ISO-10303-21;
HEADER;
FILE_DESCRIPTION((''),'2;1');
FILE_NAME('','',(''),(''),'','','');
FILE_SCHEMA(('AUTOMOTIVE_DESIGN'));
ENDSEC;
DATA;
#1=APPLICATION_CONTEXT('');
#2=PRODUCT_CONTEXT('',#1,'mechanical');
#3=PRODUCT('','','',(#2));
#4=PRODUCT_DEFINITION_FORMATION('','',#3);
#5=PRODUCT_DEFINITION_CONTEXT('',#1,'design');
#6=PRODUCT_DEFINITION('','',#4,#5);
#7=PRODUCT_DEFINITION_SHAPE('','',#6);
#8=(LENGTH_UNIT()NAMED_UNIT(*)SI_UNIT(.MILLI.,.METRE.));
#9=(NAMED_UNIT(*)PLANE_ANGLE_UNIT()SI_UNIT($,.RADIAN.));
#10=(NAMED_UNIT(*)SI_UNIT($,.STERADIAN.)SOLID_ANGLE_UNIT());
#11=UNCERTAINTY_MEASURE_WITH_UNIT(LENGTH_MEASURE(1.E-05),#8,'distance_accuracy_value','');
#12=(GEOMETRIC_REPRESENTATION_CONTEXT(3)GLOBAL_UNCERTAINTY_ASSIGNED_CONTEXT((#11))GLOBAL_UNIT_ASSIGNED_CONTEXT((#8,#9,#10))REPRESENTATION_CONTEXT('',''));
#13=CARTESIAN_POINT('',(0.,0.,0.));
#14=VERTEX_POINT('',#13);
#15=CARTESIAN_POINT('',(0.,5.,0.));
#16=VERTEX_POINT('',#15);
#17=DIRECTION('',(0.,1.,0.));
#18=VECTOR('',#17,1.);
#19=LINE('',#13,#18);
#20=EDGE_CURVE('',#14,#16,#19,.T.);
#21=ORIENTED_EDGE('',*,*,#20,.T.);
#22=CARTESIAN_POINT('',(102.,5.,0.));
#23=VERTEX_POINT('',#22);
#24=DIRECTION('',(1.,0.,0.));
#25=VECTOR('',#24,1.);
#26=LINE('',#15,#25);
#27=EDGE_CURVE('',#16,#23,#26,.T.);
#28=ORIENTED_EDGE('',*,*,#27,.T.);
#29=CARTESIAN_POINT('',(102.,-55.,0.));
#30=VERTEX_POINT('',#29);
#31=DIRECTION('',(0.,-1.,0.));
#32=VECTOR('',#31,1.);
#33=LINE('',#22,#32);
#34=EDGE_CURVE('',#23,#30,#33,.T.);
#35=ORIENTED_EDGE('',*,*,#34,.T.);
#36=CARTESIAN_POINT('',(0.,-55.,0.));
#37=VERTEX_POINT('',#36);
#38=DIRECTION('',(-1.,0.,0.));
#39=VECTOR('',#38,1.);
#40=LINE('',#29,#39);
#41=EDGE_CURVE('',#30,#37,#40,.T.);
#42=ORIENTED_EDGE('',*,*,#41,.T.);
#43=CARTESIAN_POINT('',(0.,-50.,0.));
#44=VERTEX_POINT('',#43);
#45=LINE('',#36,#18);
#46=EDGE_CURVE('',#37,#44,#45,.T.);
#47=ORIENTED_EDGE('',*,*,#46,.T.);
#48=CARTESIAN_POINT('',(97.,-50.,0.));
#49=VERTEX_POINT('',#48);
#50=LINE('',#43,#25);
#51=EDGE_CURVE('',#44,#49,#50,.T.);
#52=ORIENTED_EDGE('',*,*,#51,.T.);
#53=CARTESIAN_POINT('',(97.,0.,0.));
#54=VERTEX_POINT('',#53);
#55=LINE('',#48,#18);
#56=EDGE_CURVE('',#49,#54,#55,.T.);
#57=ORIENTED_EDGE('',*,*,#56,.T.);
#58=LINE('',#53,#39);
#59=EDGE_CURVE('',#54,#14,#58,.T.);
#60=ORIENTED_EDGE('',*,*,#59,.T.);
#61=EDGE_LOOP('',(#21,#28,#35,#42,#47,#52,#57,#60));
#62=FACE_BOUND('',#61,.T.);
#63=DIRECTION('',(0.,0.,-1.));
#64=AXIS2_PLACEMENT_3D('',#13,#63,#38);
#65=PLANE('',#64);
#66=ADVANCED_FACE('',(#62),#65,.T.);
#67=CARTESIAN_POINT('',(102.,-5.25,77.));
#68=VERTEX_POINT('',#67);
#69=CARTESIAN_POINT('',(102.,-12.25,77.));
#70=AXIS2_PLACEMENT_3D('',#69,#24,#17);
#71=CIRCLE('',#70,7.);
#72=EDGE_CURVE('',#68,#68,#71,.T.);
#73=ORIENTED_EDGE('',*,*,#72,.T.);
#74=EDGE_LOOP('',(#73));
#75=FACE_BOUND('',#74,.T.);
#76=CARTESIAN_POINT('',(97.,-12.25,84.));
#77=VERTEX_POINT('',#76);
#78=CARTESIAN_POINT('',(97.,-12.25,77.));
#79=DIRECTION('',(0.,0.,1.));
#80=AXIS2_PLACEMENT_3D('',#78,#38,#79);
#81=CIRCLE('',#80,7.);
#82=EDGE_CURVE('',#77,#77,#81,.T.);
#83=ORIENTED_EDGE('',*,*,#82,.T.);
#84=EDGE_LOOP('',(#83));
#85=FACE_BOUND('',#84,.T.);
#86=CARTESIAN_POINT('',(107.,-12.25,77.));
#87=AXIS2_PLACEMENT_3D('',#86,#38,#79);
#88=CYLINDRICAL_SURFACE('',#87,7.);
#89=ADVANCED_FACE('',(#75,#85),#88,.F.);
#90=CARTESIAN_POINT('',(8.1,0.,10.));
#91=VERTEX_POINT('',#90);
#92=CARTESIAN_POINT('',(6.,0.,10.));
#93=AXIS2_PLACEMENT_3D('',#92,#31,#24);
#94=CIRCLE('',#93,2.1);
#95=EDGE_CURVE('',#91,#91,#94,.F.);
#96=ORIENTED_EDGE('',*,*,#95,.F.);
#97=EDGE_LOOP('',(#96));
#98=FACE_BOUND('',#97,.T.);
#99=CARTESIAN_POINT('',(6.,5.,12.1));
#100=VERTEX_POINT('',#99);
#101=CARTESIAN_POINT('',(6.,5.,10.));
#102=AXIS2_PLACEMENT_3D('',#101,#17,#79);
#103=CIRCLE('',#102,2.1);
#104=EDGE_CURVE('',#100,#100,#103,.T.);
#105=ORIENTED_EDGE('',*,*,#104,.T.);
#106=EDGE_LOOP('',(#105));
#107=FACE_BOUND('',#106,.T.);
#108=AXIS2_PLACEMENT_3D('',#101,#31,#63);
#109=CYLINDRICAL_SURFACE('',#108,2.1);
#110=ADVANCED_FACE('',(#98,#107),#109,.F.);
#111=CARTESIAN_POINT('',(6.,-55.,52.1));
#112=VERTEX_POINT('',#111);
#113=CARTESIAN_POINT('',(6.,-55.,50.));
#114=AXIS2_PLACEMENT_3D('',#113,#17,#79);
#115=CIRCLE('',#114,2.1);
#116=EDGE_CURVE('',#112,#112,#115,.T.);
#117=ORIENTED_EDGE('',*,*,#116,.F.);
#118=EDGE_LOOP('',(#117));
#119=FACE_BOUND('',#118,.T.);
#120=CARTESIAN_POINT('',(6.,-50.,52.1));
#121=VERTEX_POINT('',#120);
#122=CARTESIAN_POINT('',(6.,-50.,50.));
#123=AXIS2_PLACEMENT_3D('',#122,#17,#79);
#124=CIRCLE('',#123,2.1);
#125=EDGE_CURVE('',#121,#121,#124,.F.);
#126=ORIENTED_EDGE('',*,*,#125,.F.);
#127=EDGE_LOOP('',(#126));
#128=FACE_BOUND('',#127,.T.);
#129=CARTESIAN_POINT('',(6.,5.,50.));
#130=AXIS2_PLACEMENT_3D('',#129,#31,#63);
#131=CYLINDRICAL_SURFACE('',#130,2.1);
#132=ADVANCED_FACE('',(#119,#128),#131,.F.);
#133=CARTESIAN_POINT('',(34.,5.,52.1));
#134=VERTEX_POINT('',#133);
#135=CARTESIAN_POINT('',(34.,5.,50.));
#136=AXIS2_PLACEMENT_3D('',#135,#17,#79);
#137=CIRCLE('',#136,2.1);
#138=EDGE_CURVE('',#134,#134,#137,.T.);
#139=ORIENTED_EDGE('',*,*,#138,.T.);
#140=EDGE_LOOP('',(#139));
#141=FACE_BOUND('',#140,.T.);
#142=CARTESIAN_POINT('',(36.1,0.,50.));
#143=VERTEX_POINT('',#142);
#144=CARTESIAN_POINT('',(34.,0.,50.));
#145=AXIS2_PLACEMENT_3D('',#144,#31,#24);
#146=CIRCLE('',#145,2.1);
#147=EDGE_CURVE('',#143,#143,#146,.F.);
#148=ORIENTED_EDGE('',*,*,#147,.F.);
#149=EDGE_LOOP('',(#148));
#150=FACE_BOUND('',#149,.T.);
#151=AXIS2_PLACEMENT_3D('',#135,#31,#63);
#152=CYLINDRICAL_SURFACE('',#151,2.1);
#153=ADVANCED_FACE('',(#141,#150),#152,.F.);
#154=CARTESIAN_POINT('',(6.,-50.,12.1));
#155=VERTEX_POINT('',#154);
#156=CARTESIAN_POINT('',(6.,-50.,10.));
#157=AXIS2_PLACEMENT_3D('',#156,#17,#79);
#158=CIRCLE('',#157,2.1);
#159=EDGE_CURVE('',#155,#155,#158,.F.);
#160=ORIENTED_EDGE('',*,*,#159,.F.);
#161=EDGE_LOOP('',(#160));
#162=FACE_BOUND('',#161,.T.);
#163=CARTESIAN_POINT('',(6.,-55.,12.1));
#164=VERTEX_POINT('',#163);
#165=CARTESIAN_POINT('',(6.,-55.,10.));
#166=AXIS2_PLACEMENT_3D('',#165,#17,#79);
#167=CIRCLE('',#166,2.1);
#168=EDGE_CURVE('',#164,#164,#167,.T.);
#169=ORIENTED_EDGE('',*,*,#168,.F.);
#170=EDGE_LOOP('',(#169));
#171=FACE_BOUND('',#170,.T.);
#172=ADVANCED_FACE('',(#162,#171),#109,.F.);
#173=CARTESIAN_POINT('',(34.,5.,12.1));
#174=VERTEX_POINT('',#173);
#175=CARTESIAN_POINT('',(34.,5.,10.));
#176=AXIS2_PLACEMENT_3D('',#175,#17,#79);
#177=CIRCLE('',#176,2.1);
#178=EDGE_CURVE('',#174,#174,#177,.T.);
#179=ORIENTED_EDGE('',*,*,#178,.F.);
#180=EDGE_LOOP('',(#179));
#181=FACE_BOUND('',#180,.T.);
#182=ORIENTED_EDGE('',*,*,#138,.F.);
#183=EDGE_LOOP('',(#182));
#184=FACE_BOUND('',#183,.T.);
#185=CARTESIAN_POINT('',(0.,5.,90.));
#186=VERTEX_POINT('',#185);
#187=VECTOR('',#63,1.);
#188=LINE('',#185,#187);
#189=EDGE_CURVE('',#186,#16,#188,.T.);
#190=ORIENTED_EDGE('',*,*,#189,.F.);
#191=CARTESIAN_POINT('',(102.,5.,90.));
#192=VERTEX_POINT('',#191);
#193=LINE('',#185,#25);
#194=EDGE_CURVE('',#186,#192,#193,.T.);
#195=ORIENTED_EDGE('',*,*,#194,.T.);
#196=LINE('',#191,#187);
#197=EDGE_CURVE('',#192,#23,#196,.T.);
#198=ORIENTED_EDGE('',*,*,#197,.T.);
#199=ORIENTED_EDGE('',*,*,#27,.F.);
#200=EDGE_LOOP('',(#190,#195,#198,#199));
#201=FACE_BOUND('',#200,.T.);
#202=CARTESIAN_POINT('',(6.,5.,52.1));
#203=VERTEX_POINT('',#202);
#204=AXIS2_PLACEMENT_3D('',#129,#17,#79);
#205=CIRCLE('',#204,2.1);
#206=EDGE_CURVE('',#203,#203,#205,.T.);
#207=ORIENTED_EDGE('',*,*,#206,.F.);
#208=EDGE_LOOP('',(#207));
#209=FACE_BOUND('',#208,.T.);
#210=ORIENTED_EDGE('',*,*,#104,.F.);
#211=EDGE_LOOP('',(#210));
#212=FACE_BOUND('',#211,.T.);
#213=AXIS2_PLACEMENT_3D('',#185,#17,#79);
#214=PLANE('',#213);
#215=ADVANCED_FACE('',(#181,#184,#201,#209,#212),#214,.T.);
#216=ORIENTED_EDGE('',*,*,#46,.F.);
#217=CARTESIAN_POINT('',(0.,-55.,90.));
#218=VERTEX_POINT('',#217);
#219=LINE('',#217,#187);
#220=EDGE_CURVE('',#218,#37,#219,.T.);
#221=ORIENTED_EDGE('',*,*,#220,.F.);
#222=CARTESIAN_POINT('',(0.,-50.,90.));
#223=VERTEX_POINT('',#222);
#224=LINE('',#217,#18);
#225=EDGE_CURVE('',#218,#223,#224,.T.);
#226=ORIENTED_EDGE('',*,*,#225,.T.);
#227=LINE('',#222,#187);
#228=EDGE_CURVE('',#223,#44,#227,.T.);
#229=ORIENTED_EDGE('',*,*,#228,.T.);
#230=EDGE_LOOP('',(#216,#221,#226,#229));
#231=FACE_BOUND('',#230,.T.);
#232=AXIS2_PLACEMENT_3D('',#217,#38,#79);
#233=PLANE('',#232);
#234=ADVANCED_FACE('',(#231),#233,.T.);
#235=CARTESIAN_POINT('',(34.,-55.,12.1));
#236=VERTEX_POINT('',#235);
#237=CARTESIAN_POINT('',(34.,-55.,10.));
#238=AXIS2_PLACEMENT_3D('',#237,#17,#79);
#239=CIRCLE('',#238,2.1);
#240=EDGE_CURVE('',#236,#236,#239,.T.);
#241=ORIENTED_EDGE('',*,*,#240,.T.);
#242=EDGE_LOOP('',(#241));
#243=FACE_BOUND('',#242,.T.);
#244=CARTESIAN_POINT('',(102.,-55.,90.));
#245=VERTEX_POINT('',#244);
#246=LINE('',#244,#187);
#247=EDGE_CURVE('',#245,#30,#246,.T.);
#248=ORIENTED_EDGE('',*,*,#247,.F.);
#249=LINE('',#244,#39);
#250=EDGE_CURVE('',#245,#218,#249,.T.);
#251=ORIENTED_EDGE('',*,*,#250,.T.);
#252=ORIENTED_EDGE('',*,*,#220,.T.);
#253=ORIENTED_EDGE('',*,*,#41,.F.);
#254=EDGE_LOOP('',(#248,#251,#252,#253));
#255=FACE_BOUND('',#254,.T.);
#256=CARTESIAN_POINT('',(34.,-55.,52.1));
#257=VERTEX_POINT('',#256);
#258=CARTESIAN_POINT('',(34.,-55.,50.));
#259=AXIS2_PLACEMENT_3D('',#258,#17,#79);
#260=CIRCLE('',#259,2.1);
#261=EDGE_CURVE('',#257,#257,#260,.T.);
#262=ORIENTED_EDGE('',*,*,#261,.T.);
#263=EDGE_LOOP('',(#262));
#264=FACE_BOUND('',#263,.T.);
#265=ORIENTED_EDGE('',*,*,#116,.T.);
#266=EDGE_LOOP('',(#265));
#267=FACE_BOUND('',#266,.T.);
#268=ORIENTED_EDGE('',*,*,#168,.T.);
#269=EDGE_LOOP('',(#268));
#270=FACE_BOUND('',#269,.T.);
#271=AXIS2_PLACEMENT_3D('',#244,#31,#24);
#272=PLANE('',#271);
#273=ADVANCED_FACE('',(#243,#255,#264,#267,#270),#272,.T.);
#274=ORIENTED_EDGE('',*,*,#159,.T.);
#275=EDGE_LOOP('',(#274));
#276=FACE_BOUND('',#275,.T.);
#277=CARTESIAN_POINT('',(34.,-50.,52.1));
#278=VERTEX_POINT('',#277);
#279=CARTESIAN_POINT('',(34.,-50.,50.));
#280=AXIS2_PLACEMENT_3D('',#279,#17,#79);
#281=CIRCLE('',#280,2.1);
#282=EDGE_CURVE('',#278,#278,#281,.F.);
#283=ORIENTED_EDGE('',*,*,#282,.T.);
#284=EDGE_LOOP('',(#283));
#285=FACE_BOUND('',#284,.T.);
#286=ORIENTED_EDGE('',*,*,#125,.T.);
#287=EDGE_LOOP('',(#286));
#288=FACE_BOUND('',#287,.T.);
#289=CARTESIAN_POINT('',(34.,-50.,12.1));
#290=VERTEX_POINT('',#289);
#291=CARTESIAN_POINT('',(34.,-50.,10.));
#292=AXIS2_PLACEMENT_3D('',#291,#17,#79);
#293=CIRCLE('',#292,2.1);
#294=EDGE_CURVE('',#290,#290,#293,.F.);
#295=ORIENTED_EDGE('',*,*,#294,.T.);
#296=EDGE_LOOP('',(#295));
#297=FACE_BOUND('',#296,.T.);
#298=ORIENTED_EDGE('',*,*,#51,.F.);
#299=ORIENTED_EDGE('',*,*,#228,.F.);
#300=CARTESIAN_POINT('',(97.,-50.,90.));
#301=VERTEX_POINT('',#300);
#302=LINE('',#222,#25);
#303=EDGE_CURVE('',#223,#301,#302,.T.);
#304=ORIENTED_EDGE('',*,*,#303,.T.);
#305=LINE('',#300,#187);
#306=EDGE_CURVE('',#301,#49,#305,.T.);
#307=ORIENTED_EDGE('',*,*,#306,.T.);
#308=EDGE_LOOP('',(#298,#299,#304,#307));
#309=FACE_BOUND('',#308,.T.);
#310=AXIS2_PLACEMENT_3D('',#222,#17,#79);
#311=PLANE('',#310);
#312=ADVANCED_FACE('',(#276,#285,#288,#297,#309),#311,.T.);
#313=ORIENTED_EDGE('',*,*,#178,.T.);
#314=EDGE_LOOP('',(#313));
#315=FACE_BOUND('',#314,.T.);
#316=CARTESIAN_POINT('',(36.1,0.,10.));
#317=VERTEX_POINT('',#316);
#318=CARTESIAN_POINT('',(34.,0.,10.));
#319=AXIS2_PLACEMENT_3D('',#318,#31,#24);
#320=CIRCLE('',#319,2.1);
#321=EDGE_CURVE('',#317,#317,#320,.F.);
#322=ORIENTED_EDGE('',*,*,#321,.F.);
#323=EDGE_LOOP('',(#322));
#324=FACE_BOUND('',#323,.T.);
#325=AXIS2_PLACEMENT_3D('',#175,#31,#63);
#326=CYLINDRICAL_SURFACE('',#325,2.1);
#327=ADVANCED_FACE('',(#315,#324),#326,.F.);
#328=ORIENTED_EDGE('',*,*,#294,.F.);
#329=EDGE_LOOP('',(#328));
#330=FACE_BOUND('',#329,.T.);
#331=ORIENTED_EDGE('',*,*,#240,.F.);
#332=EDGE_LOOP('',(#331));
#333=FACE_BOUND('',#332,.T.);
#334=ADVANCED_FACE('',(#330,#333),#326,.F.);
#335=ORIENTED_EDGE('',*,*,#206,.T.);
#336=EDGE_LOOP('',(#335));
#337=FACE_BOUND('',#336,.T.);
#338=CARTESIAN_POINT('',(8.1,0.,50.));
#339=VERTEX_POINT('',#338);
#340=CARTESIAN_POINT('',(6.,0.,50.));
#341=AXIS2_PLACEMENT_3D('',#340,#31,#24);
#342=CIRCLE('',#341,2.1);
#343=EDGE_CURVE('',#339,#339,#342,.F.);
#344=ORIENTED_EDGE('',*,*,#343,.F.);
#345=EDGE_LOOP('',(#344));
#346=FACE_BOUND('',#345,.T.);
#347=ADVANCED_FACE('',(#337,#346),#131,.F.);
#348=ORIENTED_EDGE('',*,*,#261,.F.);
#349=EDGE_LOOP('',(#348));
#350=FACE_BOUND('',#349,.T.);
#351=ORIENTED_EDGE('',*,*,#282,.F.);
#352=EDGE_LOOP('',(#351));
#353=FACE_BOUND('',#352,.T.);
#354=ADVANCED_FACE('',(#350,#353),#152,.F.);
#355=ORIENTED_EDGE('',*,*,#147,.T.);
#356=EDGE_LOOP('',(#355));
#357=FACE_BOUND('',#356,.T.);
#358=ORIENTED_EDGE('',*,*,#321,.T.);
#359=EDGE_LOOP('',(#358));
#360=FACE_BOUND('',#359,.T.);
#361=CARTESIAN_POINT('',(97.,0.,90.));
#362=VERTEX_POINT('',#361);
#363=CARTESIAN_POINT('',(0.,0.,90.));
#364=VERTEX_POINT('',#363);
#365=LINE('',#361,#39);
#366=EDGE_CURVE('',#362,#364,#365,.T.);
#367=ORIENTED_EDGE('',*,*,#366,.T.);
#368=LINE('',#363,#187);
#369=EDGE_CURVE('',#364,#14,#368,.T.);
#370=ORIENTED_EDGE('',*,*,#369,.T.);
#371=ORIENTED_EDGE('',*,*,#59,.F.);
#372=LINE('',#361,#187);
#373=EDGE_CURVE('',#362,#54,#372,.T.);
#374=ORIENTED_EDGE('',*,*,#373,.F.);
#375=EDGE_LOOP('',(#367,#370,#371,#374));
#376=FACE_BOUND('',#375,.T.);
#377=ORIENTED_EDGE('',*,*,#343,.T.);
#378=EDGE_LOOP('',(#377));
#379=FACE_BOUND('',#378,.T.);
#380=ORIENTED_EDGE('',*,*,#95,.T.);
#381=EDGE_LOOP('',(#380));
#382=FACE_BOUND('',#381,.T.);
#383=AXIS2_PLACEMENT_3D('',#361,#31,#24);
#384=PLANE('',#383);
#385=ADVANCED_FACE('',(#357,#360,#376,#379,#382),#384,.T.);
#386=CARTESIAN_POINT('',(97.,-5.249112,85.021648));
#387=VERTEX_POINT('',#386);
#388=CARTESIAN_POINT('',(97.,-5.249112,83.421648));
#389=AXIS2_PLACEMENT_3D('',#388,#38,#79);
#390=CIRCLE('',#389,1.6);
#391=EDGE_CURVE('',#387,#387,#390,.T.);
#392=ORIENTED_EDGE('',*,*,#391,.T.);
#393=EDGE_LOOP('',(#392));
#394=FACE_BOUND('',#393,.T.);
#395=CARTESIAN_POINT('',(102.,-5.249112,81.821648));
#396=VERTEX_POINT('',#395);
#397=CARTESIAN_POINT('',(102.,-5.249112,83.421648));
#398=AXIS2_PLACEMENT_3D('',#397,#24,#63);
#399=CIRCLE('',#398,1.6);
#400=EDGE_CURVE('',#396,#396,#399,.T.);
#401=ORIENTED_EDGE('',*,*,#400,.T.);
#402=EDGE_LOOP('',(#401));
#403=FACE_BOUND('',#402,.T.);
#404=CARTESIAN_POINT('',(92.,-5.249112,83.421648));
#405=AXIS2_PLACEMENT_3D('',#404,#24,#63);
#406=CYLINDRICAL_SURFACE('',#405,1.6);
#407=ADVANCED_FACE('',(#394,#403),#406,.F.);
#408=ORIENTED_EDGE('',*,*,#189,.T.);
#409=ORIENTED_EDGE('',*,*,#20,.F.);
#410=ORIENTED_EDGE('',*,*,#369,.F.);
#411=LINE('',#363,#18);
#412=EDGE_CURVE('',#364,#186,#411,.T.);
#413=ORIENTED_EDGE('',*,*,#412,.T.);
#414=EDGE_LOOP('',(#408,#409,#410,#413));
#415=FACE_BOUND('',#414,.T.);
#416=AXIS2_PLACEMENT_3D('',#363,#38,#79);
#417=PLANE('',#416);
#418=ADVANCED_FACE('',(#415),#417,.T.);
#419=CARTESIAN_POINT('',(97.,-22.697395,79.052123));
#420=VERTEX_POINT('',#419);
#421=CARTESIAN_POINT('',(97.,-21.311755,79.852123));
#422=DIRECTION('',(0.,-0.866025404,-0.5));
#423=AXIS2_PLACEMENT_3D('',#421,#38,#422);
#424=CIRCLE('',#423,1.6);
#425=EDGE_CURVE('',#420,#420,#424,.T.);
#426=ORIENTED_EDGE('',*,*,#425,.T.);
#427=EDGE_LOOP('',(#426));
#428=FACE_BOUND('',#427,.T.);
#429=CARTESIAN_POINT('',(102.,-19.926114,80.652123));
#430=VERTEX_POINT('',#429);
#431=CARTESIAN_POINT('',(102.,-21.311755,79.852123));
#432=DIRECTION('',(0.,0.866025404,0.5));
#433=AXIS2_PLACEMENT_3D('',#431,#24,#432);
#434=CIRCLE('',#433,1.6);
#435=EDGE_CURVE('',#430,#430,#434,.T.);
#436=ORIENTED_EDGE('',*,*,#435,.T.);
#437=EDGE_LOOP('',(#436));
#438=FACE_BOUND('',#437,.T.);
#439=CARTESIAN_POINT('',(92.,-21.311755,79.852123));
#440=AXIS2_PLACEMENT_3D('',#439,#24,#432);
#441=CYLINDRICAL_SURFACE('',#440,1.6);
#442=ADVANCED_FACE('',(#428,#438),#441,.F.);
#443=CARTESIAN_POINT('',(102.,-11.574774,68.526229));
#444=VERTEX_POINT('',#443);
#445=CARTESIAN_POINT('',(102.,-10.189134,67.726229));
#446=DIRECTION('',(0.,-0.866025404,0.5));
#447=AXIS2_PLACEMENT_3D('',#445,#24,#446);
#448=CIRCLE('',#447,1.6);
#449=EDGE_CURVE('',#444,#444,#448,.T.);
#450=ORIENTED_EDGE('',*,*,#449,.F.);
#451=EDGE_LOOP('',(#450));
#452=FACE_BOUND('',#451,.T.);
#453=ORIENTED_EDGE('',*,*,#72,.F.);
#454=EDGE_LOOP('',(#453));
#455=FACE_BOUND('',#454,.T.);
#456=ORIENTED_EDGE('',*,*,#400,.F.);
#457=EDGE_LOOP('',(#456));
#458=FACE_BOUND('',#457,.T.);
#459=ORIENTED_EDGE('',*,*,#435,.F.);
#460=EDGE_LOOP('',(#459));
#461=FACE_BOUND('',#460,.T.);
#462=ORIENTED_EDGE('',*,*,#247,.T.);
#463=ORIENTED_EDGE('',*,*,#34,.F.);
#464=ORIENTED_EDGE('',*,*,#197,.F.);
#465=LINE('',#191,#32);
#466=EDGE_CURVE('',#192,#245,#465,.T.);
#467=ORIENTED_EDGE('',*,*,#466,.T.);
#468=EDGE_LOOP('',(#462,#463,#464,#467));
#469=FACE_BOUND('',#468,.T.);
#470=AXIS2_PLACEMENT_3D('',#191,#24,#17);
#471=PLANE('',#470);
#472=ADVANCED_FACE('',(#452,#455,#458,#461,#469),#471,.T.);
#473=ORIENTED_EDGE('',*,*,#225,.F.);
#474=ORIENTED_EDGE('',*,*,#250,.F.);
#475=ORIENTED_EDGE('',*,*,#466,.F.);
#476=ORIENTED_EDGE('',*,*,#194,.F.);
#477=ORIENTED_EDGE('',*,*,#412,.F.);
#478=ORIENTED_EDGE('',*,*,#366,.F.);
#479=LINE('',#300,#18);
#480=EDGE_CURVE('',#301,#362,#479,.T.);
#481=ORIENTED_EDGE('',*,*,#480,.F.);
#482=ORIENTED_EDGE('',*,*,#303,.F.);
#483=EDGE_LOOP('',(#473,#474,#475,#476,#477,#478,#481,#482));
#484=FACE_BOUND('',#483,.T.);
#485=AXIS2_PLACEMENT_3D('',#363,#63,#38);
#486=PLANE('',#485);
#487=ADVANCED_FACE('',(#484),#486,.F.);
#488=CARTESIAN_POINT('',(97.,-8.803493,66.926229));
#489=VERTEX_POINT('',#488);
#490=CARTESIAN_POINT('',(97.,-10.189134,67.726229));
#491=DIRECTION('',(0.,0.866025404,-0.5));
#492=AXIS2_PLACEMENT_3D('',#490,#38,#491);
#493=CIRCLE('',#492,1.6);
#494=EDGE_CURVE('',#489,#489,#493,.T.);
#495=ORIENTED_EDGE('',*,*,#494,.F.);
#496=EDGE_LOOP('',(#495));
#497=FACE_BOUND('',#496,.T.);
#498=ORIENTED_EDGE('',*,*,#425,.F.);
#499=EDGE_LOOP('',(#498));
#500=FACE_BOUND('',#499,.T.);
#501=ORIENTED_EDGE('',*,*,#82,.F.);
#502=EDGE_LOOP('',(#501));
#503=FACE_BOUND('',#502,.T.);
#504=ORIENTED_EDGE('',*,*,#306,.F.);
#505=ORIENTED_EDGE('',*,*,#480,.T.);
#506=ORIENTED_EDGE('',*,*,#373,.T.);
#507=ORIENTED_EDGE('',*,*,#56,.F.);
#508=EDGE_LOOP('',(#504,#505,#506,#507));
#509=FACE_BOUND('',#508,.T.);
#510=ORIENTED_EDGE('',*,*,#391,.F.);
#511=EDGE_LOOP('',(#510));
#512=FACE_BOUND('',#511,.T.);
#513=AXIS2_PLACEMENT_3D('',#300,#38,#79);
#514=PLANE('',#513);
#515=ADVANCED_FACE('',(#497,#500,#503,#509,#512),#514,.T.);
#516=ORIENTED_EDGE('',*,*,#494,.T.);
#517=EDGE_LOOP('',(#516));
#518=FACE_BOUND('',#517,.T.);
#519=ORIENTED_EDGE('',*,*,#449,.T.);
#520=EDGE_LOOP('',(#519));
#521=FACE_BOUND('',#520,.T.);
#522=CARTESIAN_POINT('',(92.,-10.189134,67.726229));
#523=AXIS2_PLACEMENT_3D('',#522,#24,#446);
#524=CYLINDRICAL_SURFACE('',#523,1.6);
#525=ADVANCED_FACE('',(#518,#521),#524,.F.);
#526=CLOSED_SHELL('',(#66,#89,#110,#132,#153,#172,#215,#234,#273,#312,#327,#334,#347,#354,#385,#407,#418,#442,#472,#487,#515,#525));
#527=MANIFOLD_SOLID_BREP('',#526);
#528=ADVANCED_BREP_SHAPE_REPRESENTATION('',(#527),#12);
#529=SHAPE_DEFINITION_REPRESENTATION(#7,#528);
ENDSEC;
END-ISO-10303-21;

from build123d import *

# Parameters (mm, degrees)
EXTRUDE_1_DEPTH          = 90
CUT_EXTRUDE1_DEPTH       = 147.727638841
CUT_EXTRUDE1_DEPTH_BACK  = 147.727638841
SKETCH1_R                = 2.1
SKETCH_2_R               = 7
CUT_EXTRUDE_1_DEPTH      = 10
SKETCH_6_R               = 1.6
CUT_EXTRUDE_3_DEPTH      = 10
PATTERN_CIRCULAR_1_COUNT = 3


with BuildPart() as part:
    # 草图1 → 凸台-拉伸1 (new body)
    with BuildSketch(Plane.XY):
        Polygon((0, 0), (0, 5), (102, 5), (102, -55), (0, -55), (0, -50), (97, -50), (97, 0), align=None)
    extrude(amount=EXTRUDE_1_DEPTH)

    # Sketch1 → Cut-Extrude1 (cut, two sides: drawn at the far end of the back side and taken through both)
    with BuildSketch(Plane(origin=(0, 0, 0), x_dir=(1, 0, 0), z_dir=(0, 1, 0)).offset(-CUT_EXTRUDE1_DEPTH_BACK)):
        with Locations(Location((6, -10, 0), (0, 0, 270))):
            Circle(SKETCH1_R)
        with Locations(Location((34, -10, 0), (0, 0, 270))):
            Circle(SKETCH1_R)
        with Locations(Location((34, -50, 0), (0, 0, 270))):
            Circle(SKETCH1_R)
        with Locations(Location((6, -50, 0), (0, 0, 270))):
            Circle(SKETCH1_R)
    extrude(amount=CUT_EXTRUDE1_DEPTH + CUT_EXTRUDE1_DEPTH_BACK, mode=Mode.SUBTRACT)

    # 草图2 → 切除-拉伸1 (cut)
    with BuildSketch(Plane.ZY.offset(-97)):
        with Locations((77, -12.25)):
            Circle(SKETCH_2_R)
    extrude(amount=-CUT_EXTRUDE_1_DEPTH, mode=Mode.SUBTRACT)

    # 草图6 → 切除-拉伸3 (cut)
    with BuildSketch(Plane(origin=(102, 0, 0), x_dir=(0, 0, -1), z_dir=(1, 0, 0))):
        with Locations((-83.421648209, -5.249111894)):
            Circle(SKETCH_6_R)
    cut_extrude_3 = extrude(amount=-CUT_EXTRUDE_3_DEPTH, mode=Mode.SUBTRACT)

    # 阵列(圆周)1: 切除-拉伸3 ×3 about axis
    pattern_circular_1_axis = Axis((0, -12.25, 77), (1, 0, 0))
    for i in range(1, PATTERN_CIRCULAR_1_COUNT):
        add(cut_extrude_3.rotate(pattern_circular_1_axis, i * 360 / PATTERN_CIRCULAR_1_COUNT), mode=Mode.SUBTRACT)


solid = part.part
